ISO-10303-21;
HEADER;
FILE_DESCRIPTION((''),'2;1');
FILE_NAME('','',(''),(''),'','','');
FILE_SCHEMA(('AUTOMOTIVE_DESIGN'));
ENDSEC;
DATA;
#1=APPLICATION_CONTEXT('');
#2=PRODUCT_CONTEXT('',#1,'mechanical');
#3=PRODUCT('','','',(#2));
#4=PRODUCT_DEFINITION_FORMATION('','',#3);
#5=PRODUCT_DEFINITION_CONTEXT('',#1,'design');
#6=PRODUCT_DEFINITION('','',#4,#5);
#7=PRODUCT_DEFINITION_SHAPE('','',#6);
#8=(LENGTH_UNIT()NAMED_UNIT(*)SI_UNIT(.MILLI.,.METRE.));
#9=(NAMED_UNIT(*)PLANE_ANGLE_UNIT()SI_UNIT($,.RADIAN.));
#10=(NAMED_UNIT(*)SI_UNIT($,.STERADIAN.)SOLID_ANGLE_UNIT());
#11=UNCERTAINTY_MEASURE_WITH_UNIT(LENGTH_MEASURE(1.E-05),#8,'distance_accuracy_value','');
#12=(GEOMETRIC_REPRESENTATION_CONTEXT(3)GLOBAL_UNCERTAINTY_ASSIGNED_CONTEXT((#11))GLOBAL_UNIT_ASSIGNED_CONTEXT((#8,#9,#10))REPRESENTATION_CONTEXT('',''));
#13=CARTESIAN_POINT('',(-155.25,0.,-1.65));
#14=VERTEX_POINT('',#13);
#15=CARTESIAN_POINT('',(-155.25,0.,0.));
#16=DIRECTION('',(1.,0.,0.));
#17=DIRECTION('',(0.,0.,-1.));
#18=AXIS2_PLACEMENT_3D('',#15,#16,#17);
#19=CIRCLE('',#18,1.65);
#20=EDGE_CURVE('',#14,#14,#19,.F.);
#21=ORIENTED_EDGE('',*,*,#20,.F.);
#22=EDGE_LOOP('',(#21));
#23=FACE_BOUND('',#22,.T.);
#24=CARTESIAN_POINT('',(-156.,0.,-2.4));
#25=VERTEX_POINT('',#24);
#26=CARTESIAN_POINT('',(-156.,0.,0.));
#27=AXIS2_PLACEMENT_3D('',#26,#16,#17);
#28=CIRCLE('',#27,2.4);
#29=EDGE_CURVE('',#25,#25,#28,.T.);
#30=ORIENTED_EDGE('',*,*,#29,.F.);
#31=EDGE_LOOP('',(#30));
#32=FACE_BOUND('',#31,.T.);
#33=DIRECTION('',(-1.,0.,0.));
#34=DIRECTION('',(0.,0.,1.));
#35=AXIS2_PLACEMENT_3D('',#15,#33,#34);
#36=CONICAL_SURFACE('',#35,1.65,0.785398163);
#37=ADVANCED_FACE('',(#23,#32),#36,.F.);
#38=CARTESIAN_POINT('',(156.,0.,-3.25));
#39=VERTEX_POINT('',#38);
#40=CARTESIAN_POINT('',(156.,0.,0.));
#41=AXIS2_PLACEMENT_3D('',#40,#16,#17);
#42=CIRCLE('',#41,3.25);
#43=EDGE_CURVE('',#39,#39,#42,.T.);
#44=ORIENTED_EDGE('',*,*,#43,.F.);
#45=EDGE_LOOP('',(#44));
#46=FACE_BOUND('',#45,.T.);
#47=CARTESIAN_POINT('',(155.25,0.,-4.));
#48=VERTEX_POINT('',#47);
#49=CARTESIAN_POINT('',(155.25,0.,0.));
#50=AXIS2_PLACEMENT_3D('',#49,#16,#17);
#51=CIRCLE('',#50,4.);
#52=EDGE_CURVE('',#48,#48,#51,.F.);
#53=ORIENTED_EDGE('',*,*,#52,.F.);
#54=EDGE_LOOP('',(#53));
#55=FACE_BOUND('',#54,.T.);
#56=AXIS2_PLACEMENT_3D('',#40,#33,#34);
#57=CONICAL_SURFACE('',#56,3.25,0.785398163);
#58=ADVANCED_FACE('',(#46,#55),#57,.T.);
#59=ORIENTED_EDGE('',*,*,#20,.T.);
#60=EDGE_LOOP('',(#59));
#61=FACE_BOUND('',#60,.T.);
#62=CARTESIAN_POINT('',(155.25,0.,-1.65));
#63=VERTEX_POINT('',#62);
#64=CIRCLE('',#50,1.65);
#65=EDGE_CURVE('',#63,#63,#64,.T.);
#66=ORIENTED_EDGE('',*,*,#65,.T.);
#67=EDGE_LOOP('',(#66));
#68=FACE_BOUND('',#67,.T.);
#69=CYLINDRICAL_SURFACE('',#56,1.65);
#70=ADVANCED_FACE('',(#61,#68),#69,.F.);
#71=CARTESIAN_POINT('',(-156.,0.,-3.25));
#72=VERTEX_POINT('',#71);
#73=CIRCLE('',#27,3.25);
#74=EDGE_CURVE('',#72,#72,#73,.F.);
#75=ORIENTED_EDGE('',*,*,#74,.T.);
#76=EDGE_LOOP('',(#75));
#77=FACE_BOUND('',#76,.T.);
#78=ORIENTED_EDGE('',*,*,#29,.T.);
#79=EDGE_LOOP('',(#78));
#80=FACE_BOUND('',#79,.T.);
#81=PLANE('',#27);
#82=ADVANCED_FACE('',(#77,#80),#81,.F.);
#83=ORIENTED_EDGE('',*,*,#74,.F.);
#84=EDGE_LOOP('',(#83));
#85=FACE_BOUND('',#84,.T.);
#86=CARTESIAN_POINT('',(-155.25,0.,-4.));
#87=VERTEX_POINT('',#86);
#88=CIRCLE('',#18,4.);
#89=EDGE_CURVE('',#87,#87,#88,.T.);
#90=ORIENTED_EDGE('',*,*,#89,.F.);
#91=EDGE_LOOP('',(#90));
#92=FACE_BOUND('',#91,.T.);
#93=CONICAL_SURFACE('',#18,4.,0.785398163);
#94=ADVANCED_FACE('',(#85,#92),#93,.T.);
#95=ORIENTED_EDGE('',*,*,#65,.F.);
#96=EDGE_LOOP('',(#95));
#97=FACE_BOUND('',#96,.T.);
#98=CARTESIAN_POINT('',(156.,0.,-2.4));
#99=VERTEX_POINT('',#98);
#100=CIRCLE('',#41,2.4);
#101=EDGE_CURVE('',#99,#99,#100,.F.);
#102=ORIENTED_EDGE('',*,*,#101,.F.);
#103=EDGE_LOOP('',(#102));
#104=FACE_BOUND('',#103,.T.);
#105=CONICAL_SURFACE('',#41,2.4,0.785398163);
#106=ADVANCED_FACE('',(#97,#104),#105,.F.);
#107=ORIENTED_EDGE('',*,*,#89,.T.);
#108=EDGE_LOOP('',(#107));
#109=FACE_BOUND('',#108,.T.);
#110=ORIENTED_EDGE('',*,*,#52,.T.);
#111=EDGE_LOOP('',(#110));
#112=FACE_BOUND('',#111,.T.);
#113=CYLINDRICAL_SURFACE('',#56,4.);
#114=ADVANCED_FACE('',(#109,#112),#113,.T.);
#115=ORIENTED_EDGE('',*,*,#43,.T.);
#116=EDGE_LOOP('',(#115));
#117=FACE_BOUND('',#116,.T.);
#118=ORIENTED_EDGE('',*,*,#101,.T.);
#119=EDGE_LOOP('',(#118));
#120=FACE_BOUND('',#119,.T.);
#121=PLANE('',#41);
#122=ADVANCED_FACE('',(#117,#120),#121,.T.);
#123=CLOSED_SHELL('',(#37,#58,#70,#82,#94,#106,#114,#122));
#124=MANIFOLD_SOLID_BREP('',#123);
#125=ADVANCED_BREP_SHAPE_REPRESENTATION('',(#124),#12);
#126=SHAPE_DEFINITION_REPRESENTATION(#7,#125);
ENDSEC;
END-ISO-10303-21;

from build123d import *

# Parameters (mm, degrees)
ESQUISSE1_R             = 4
BOSS_EXTRU_1_DEPTH      = 156
ESQUISSE2_R             = 1.65
ENL_V_MAT_EXTRU_1_DEPTH = 313
CHANFREIN1_SIZE         = 0.75


with BuildPart() as part:
    # Esquisse1 → Boss.-Extru.1 (new body, symmetric)
    with BuildSketch(Plane(origin=(0, 0, 0), x_dir=(0, 0, -1), z_dir=(1, 0, 0))):
        Circle(ESQUISSE1_R)
    extrude(amount=BOSS_EXTRU_1_DEPTH, both=True)

    # Esquisse2 → Enlèv. mat.-Extru.1 (cut, through all)
    with BuildSketch(Plane.ZY.offset(156)):
        Circle(ESQUISSE2_R)
    extrude(amount=-ENL_V_MAT_EXTRU_1_DEPTH, mode=Mode.SUBTRACT)

    # Chanfrein1
    chanfrein1_edges = [part.edges().sort_by_distance(p)[0] for p in [
        (-156, 0, 4),
        (156, 0, 4),
        (156, 0, -1.65),
        (-156, 0, -1.65),
    ]]
    chamfer(chanfrein1_edges, length=CHANFREIN1_SIZE)


solid = part.part
